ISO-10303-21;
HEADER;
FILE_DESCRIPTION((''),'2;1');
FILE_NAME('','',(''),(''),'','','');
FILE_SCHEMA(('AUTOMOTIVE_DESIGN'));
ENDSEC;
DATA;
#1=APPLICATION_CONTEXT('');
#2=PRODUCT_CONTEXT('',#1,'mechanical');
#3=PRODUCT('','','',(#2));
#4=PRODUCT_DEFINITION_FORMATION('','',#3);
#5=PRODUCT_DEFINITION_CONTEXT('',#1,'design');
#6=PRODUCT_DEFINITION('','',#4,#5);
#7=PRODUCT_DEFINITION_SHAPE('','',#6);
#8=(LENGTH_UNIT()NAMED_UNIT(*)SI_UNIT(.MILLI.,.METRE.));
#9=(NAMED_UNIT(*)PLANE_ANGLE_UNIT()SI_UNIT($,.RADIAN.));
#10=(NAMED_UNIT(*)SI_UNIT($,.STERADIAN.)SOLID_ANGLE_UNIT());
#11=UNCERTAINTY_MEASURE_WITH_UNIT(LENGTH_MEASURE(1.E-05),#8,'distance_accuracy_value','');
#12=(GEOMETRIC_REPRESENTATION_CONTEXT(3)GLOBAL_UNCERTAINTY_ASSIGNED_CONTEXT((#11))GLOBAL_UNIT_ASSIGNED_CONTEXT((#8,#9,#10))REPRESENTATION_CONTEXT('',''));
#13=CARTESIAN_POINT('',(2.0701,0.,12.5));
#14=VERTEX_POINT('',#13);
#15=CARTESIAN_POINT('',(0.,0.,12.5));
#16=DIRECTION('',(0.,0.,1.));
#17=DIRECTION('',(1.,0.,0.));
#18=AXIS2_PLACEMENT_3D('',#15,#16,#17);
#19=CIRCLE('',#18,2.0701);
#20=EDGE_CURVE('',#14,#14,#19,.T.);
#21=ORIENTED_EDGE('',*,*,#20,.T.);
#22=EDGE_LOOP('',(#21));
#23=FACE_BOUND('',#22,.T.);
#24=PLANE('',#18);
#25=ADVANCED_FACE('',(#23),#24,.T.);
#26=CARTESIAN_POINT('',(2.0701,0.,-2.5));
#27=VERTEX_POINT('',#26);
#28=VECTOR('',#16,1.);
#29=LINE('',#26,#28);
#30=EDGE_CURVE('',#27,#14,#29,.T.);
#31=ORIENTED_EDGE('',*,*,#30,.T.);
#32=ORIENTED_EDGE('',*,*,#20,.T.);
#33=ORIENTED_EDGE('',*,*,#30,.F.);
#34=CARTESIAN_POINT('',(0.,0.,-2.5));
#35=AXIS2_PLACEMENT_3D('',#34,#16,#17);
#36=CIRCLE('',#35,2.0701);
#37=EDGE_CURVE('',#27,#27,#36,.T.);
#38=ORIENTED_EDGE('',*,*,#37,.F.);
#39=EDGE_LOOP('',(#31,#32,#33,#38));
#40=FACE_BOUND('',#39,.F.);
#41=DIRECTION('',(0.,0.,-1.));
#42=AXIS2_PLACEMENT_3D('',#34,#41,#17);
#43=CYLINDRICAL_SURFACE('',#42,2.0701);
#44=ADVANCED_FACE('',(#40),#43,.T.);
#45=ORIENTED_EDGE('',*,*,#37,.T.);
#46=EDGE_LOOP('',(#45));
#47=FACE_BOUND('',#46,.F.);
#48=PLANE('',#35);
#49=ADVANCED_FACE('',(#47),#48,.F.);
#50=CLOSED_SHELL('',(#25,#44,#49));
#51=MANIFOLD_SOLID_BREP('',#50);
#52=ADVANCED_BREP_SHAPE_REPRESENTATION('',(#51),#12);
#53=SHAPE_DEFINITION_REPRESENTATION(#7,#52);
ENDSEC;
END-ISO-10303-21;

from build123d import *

# Parameters (mm, degrees)
CYLINDER_R     = 2.0701
CYLINDER_DEPTH = 15


with BuildPart() as part:
    # Cylinder → Cylinder (new body)
    with BuildSketch(Plane.XY.offset(-2.5)):
        Circle(CYLINDER_R)
    extrude(amount=CYLINDER_DEPTH)


solid = part.part
